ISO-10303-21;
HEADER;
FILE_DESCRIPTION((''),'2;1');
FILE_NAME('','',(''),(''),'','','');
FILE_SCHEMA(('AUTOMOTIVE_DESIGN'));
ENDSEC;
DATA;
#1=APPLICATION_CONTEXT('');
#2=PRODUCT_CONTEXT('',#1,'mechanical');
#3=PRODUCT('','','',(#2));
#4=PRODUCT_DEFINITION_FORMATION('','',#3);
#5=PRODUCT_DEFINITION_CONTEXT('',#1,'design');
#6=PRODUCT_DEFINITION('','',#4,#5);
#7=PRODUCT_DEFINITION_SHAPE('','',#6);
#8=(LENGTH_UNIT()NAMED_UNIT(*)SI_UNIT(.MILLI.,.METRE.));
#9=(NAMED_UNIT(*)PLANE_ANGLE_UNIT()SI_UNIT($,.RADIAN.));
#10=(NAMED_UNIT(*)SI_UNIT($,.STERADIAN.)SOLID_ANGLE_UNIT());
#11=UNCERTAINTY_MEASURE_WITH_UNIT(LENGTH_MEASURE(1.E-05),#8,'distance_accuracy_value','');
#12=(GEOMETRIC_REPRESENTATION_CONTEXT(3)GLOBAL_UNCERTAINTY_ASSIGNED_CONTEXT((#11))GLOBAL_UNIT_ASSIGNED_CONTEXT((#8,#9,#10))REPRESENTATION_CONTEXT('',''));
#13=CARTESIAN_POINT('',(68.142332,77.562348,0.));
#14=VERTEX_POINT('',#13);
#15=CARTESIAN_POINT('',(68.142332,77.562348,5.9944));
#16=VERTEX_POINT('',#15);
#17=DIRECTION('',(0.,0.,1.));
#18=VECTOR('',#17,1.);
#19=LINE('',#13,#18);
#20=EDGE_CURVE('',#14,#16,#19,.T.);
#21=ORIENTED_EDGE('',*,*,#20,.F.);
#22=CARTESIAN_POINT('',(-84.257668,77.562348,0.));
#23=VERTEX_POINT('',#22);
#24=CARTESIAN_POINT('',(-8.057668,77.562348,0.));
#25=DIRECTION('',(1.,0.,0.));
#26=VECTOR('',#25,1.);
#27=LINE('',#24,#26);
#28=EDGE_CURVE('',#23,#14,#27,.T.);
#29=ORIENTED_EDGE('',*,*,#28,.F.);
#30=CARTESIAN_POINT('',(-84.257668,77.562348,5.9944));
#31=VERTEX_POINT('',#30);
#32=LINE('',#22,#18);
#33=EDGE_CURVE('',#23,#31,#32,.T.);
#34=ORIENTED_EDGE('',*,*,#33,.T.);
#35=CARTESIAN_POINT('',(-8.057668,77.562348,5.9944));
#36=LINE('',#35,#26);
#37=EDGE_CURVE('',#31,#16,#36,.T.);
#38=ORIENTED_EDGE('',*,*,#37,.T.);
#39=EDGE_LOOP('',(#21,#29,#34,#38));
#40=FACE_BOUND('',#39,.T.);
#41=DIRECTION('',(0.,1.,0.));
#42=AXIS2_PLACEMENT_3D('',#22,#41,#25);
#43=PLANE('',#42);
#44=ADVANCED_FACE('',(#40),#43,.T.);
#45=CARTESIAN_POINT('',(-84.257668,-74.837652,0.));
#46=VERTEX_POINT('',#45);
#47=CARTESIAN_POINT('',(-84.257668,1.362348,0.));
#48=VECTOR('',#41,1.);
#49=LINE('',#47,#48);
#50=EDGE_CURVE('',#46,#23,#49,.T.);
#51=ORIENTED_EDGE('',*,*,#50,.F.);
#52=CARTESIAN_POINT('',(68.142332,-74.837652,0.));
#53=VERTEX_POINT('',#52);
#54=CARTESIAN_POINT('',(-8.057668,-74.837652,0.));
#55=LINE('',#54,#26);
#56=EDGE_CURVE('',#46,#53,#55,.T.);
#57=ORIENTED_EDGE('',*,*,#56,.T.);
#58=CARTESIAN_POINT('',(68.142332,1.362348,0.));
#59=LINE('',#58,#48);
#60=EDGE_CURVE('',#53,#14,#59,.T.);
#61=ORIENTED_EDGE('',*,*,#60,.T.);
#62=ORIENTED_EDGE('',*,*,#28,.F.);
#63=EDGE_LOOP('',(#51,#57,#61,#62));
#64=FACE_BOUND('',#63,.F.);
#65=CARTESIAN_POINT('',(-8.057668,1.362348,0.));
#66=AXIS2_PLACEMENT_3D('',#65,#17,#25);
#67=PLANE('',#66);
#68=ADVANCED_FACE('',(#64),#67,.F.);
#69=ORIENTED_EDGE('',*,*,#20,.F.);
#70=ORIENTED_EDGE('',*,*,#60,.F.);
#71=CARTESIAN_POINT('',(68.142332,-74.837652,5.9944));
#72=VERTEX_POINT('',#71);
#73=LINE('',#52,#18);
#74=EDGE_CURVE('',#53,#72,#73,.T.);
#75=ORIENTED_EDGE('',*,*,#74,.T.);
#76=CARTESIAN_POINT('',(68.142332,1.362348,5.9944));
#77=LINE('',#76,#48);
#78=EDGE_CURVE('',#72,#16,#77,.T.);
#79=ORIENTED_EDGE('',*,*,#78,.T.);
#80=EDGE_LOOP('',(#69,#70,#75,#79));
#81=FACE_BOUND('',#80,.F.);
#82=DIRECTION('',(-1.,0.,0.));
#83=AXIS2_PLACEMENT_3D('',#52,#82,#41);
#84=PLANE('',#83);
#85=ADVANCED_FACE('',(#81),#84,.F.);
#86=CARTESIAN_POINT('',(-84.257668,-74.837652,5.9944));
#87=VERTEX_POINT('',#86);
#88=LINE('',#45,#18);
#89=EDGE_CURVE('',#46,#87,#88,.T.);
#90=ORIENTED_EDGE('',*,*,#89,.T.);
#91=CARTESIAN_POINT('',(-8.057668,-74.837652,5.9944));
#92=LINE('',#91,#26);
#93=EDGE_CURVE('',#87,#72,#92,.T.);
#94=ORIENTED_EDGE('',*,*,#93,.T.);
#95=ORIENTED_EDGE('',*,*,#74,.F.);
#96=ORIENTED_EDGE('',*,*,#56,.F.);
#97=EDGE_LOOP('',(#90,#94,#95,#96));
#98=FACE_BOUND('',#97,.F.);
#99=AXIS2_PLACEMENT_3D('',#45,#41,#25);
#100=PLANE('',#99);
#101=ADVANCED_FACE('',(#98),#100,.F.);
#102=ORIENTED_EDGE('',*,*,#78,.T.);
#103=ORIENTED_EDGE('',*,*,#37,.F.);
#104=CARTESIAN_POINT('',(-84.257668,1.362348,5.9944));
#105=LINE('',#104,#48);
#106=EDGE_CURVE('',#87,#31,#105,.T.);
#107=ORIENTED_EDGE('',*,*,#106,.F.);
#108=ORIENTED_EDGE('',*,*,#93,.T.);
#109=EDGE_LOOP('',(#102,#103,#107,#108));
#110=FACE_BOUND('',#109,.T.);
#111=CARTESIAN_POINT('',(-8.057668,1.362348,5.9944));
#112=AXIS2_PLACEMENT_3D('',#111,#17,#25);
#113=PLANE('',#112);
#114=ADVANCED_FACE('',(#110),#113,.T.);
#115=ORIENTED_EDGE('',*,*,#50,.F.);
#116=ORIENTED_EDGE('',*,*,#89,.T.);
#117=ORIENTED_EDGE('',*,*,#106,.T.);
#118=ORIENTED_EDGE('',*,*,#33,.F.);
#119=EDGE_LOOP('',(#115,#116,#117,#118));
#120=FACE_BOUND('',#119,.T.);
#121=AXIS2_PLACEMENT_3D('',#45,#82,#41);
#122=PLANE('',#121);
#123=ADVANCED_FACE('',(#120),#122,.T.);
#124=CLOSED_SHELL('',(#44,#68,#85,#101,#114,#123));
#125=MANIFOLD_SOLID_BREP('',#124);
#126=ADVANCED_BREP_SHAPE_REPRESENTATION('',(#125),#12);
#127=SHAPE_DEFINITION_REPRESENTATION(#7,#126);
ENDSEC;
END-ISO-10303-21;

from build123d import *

# Parameters (mm, degrees)
SKETCH_W      = 152.4
SKETCH_H      = 152.4
EXTRUDE_DEPTH = 5.9944


with BuildPart() as part:
    # Sketch → Extrude (new body)
    with BuildSketch(Plane.XY):
        with Locations((-8.057668, 1.362348)):
            Rectangle(SKETCH_W, SKETCH_H)
    extrude(amount=EXTRUDE_DEPTH)


solid = part.part
